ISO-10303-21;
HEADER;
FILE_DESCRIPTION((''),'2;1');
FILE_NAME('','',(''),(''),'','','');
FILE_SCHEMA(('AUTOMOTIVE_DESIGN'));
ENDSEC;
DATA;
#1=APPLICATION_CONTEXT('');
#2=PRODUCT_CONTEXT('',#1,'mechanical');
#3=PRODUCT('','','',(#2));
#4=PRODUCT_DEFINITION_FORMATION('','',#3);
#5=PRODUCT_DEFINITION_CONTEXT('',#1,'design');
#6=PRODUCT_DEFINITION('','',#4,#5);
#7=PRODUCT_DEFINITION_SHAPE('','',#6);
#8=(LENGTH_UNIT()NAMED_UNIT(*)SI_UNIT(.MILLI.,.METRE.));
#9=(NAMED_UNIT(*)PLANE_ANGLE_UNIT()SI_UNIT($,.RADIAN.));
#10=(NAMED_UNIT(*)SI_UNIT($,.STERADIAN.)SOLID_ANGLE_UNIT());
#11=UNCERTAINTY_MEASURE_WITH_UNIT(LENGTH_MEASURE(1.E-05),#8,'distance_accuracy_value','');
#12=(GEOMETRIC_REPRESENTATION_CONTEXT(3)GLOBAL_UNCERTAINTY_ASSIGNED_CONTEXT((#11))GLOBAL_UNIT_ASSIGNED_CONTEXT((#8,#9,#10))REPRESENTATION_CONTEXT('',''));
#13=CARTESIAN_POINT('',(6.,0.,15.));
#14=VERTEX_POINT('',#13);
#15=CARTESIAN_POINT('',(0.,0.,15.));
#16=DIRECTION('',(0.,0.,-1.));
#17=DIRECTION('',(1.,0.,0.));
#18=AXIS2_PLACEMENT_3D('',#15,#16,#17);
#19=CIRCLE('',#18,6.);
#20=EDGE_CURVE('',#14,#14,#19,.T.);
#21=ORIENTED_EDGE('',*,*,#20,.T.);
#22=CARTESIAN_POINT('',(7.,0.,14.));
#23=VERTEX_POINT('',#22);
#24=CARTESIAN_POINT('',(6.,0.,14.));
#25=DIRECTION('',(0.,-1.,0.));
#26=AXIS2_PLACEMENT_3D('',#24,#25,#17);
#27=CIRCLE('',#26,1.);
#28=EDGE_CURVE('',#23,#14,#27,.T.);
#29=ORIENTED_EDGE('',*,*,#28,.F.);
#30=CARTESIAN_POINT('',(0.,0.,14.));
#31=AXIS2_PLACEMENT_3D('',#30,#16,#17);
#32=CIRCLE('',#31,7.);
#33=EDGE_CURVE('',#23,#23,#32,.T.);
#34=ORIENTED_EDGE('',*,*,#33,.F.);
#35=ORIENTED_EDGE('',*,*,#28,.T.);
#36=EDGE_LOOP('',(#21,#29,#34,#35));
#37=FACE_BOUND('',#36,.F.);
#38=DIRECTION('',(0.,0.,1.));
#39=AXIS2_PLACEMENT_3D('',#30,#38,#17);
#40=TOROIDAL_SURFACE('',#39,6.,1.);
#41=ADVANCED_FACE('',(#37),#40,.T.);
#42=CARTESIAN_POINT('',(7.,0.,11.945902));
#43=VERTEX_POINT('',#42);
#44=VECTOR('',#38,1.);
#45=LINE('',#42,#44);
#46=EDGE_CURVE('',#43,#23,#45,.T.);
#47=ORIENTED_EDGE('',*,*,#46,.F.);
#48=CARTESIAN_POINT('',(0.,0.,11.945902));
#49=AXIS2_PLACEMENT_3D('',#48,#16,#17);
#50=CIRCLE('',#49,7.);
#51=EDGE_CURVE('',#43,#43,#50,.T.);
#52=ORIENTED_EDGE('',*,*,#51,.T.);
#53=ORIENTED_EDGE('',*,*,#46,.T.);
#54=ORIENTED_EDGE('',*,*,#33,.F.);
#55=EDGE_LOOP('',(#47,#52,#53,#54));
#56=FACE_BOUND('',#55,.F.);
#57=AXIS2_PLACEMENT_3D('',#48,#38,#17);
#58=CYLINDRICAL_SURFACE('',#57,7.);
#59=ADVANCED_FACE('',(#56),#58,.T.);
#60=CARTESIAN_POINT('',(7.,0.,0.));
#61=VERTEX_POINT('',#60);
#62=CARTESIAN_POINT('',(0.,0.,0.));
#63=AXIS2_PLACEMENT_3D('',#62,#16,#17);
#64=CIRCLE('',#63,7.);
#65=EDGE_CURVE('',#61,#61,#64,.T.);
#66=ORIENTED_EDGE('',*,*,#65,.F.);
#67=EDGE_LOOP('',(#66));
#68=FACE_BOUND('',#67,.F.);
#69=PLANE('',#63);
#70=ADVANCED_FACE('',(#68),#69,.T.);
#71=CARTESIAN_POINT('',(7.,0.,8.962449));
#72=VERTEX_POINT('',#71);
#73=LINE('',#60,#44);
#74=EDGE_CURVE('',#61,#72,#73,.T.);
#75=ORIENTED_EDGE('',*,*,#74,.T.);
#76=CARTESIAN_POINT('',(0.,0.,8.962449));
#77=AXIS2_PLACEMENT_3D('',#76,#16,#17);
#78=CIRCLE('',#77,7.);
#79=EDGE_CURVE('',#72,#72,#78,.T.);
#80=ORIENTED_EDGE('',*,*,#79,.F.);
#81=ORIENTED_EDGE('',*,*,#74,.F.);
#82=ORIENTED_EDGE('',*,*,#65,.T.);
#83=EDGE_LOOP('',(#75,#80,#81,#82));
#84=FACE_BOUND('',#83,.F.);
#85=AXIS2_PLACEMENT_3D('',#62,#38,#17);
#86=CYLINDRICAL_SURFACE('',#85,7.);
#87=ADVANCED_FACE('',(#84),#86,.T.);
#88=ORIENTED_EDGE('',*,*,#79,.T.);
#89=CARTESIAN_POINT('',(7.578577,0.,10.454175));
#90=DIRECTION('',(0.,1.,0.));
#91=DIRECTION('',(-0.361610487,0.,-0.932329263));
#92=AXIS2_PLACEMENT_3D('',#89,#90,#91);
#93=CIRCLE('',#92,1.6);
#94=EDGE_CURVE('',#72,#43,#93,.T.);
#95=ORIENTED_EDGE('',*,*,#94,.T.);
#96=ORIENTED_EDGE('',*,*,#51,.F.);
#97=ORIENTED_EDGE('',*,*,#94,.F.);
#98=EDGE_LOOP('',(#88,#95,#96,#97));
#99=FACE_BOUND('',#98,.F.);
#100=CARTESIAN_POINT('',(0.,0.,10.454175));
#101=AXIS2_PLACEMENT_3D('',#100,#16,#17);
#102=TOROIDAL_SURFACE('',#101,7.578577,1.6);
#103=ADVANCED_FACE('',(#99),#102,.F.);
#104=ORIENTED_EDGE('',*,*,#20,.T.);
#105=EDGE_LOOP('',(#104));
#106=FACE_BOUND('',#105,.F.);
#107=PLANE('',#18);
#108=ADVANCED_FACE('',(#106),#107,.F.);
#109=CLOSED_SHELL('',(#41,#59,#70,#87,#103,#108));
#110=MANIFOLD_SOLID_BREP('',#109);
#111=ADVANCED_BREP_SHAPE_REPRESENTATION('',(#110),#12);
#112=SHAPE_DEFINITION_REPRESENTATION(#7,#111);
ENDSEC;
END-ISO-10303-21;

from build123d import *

# Parameters (mm, degrees)
F2_R = 1


with BuildPart() as f1:
    # F0 (on Front) → F1 (revolve)
    with BuildSketch(Plane.XZ):
        with BuildLine():
            Line((0, 15), (0, 0))
            Line((0, 0), (7, 0))
            Line((7, 0), (7, 8.962449))
            ThreePointArc((7, 8.962449), (5.978577, 10.454176), (7, 11.945902))
            Line((7, 11.945902), (7, 15))
            Line((7, 15), (0, 15))
        make_face()
    revolve(axis=Axis((0, 0, 7.5), (0, 0, -1)))

    # F2
    f2_edges = [f1.edges().sort_by_distance(p)[0] for p in [
        (-7, 0, 15),
    ]]
    fillet(f2_edges, radius=F2_R)


solid = f1.part
